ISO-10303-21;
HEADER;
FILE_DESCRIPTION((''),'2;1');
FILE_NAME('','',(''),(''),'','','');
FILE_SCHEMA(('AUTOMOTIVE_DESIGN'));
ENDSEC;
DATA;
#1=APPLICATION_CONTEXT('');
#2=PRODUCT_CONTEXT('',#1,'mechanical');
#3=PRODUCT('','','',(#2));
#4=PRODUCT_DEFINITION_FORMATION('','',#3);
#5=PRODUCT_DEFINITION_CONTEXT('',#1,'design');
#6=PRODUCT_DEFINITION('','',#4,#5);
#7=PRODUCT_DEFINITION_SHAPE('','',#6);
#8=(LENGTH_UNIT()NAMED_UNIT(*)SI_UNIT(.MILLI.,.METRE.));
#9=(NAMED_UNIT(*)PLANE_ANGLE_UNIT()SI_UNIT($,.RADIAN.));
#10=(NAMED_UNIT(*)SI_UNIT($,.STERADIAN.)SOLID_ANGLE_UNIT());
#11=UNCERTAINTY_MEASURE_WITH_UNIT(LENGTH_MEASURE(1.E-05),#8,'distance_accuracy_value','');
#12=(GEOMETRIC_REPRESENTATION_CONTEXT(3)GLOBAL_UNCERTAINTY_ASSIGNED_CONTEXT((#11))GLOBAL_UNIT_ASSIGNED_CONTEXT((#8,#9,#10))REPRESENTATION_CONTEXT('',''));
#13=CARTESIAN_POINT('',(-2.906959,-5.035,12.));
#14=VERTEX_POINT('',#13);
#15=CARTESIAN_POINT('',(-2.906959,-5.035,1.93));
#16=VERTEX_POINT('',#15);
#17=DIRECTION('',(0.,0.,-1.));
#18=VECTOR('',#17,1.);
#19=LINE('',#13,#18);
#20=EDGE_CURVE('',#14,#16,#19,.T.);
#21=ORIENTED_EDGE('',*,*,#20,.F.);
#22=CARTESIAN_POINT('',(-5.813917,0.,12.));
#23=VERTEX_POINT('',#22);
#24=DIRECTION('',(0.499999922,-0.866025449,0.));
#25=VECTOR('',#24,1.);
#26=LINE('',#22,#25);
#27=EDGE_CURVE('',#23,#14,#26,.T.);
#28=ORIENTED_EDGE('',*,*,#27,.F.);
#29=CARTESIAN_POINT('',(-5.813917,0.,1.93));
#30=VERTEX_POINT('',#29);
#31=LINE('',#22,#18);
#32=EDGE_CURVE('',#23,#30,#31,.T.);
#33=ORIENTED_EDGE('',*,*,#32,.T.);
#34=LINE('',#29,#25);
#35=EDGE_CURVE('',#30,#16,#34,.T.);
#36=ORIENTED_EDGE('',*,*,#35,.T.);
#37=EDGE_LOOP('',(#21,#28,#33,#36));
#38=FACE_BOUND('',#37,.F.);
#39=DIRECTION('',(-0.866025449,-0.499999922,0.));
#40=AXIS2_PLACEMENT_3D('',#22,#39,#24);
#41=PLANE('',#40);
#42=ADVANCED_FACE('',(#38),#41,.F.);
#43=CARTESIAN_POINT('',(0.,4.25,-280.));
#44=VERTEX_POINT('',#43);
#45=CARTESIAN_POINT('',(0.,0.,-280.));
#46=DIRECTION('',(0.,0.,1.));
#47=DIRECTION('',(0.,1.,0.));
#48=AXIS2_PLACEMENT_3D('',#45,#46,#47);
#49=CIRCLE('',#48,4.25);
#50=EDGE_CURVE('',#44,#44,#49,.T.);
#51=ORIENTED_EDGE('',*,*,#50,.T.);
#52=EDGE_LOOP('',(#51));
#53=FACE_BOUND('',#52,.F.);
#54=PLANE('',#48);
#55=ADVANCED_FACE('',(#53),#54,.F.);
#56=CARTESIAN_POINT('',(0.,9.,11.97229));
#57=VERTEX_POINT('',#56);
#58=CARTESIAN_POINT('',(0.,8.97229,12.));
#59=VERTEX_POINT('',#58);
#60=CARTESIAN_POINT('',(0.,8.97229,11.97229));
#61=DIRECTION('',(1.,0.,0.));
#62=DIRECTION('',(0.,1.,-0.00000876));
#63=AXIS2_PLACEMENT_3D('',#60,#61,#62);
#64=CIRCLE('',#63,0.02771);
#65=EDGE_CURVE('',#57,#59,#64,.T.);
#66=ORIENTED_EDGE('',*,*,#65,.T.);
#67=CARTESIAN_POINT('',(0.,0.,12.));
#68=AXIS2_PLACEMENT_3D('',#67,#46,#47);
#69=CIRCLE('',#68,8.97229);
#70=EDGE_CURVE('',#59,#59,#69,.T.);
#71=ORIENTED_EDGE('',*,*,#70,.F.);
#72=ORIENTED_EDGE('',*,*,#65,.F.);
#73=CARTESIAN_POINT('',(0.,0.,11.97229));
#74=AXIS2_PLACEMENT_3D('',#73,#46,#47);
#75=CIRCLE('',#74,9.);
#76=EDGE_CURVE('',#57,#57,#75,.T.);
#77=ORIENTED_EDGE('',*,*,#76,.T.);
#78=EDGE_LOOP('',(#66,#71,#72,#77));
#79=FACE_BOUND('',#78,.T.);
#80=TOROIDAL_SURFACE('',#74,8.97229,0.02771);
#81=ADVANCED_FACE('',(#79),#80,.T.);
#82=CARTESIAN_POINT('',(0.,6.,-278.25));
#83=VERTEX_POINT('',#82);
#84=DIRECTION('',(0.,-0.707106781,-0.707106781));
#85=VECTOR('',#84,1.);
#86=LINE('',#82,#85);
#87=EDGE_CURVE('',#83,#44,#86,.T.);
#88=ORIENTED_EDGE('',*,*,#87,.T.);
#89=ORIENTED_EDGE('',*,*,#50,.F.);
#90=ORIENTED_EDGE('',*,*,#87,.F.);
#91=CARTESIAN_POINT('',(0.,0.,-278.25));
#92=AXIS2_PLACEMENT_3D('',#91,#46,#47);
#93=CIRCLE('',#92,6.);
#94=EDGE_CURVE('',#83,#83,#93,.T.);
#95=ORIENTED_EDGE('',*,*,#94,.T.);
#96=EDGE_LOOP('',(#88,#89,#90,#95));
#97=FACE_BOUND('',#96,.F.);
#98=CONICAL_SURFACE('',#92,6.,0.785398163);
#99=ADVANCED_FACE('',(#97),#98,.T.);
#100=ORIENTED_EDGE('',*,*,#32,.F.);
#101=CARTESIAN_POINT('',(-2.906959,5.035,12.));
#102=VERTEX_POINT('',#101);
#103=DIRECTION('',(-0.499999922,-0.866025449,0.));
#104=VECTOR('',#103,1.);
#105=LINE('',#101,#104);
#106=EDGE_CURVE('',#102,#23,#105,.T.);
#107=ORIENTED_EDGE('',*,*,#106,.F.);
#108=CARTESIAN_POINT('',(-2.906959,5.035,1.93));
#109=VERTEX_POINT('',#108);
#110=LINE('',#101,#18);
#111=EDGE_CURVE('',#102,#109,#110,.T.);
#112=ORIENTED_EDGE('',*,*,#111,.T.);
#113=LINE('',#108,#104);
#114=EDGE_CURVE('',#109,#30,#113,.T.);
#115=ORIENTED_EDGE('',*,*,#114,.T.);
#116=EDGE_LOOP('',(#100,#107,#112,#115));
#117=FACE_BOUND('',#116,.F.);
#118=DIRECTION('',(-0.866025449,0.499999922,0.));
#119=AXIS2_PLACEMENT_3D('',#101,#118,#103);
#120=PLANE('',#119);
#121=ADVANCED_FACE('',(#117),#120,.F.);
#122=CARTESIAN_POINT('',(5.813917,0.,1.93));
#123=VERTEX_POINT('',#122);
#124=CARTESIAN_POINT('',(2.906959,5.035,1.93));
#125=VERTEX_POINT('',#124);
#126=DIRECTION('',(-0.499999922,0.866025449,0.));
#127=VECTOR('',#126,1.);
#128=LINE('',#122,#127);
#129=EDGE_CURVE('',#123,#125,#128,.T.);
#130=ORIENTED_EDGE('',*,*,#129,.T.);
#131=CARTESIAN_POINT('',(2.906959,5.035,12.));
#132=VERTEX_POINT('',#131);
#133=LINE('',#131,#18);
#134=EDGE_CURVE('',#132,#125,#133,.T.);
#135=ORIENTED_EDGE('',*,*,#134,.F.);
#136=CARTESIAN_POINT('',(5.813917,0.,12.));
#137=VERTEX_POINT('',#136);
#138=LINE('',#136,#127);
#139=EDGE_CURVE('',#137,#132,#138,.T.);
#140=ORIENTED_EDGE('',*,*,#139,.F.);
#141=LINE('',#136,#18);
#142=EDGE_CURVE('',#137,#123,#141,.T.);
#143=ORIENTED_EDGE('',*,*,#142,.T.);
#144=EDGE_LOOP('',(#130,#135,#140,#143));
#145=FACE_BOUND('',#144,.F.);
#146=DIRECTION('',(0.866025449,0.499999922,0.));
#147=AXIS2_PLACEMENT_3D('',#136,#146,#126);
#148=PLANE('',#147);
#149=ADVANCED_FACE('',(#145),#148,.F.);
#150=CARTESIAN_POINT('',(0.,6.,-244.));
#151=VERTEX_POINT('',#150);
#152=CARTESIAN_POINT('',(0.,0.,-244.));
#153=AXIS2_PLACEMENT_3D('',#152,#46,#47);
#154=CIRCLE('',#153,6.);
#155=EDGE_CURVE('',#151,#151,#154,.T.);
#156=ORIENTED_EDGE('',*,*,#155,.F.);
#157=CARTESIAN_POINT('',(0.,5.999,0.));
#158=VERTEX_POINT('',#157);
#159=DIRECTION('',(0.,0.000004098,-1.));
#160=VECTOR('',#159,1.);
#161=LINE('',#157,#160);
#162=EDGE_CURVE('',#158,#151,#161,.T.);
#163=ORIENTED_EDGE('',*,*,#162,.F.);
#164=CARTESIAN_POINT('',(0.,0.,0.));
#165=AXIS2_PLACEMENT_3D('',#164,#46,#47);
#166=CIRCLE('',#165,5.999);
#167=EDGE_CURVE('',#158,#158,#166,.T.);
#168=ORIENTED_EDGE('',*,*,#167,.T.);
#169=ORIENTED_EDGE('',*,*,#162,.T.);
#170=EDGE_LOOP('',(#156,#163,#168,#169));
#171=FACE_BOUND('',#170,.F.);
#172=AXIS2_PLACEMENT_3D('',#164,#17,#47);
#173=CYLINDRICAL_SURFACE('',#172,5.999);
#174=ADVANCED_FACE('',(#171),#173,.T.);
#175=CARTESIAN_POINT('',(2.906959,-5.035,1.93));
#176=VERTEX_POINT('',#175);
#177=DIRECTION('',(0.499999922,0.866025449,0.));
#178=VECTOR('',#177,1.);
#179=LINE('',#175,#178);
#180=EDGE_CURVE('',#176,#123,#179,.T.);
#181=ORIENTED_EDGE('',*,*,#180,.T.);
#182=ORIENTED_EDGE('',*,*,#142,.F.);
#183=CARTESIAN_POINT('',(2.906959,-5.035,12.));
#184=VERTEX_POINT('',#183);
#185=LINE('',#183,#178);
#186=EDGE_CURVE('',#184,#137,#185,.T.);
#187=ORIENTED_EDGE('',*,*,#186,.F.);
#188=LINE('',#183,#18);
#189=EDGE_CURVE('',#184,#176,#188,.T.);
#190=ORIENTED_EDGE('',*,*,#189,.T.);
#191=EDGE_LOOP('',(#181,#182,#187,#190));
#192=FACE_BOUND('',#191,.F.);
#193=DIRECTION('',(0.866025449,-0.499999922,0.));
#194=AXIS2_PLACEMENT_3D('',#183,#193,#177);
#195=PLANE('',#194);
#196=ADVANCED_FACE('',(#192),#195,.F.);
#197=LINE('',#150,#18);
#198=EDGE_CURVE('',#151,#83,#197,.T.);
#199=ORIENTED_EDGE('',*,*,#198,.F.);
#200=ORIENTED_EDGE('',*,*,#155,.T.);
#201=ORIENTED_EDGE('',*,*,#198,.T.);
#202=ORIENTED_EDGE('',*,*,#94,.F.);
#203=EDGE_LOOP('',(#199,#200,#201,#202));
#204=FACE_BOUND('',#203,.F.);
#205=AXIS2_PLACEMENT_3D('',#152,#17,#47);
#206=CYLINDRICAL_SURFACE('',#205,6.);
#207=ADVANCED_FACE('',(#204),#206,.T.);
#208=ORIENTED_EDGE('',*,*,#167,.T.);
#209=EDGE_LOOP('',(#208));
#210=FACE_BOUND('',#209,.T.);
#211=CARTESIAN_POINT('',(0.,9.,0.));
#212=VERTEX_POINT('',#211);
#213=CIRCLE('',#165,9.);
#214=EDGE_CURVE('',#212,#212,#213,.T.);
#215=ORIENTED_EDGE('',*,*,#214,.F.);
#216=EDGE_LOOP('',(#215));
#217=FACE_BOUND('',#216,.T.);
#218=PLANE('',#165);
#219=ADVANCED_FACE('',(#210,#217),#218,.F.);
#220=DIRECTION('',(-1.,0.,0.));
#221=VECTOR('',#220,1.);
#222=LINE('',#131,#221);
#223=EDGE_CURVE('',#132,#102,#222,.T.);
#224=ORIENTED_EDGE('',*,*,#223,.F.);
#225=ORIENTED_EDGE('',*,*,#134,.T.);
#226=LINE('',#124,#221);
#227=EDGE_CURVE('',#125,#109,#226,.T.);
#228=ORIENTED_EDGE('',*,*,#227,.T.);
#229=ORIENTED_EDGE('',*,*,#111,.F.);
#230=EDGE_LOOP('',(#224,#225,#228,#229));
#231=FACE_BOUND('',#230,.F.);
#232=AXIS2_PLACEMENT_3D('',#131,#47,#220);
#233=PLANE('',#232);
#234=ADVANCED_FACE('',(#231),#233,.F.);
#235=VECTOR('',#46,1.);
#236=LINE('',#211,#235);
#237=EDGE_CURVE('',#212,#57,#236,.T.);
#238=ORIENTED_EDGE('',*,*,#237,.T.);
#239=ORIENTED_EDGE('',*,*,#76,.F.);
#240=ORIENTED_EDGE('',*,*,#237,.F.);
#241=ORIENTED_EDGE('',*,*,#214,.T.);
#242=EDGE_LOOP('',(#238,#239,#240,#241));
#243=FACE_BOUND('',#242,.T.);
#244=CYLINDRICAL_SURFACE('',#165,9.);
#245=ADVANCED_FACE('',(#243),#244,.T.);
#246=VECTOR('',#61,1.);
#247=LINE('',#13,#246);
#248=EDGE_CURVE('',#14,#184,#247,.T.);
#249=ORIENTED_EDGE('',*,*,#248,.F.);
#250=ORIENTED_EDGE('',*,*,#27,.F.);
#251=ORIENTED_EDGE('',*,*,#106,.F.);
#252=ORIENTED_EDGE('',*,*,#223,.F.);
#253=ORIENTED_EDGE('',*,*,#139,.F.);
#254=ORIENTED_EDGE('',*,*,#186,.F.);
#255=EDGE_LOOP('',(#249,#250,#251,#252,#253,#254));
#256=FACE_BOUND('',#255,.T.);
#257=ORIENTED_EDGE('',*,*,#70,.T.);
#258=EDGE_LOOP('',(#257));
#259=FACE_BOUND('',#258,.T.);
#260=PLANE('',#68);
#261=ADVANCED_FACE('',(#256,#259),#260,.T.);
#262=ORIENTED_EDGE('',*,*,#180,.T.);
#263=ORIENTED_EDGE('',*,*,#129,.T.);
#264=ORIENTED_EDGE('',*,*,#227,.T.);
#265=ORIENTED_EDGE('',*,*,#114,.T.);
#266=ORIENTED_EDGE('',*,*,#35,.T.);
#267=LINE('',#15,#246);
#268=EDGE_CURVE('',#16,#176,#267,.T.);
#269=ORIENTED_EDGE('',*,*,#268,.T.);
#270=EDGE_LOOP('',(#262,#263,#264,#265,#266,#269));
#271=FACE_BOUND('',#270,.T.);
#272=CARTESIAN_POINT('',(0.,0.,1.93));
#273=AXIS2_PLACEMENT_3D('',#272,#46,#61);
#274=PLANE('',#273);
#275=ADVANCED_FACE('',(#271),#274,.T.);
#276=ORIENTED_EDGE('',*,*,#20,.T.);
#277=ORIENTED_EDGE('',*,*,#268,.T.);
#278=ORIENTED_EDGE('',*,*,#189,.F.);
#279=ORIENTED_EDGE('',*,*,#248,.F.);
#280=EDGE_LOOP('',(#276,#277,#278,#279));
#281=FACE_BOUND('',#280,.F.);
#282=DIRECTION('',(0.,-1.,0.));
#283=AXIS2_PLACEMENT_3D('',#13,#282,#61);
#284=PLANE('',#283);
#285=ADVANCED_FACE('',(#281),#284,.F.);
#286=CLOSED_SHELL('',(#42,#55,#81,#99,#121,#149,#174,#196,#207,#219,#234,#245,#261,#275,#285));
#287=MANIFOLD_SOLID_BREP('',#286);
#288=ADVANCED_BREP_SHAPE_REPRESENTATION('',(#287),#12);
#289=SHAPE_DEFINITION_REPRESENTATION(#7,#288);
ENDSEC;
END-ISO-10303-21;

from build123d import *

# Parameters (mm, degrees)
POCKET_DEPTH = 10.07


with BuildPart() as part:
    # Sketch → Revolve (revolve)
    with BuildSketch(Plane.YZ):
        with BuildLine():
            Line((5.999, 0), (9, 0))
            Line((9, 0), (9, 11.97229))
            ThreePointArc((9, 11.97229), (8.991884, 11.991884), (8.97229, 12))
            Line((8.97229, 12), (0, 12))
            Line((0, -280), (0, 12))
            Line((4.25, -280), (0, -280))
            Line((6, -278.25), (4.25, -280))
            Line((6, -244), (6, -278.25))
            Line((5.999, 0), (6, -244))
        make_face()
    revolve(axis=Axis((0, 0, 0), (0, 0, 1)))

    # Sketch001 → Pocket (cut)
    with BuildSketch(Plane.XY.offset(12)):
        Polygon((5.813917, 0), (2.906959, 5.035), (-2.906959, 5.035), (-5.813917, 0), (-2.906959, -5.035), (2.906959, -5.035), align=None)
    extrude(amount=-POCKET_DEPTH, mode=Mode.SUBTRACT)


solid = part.part
